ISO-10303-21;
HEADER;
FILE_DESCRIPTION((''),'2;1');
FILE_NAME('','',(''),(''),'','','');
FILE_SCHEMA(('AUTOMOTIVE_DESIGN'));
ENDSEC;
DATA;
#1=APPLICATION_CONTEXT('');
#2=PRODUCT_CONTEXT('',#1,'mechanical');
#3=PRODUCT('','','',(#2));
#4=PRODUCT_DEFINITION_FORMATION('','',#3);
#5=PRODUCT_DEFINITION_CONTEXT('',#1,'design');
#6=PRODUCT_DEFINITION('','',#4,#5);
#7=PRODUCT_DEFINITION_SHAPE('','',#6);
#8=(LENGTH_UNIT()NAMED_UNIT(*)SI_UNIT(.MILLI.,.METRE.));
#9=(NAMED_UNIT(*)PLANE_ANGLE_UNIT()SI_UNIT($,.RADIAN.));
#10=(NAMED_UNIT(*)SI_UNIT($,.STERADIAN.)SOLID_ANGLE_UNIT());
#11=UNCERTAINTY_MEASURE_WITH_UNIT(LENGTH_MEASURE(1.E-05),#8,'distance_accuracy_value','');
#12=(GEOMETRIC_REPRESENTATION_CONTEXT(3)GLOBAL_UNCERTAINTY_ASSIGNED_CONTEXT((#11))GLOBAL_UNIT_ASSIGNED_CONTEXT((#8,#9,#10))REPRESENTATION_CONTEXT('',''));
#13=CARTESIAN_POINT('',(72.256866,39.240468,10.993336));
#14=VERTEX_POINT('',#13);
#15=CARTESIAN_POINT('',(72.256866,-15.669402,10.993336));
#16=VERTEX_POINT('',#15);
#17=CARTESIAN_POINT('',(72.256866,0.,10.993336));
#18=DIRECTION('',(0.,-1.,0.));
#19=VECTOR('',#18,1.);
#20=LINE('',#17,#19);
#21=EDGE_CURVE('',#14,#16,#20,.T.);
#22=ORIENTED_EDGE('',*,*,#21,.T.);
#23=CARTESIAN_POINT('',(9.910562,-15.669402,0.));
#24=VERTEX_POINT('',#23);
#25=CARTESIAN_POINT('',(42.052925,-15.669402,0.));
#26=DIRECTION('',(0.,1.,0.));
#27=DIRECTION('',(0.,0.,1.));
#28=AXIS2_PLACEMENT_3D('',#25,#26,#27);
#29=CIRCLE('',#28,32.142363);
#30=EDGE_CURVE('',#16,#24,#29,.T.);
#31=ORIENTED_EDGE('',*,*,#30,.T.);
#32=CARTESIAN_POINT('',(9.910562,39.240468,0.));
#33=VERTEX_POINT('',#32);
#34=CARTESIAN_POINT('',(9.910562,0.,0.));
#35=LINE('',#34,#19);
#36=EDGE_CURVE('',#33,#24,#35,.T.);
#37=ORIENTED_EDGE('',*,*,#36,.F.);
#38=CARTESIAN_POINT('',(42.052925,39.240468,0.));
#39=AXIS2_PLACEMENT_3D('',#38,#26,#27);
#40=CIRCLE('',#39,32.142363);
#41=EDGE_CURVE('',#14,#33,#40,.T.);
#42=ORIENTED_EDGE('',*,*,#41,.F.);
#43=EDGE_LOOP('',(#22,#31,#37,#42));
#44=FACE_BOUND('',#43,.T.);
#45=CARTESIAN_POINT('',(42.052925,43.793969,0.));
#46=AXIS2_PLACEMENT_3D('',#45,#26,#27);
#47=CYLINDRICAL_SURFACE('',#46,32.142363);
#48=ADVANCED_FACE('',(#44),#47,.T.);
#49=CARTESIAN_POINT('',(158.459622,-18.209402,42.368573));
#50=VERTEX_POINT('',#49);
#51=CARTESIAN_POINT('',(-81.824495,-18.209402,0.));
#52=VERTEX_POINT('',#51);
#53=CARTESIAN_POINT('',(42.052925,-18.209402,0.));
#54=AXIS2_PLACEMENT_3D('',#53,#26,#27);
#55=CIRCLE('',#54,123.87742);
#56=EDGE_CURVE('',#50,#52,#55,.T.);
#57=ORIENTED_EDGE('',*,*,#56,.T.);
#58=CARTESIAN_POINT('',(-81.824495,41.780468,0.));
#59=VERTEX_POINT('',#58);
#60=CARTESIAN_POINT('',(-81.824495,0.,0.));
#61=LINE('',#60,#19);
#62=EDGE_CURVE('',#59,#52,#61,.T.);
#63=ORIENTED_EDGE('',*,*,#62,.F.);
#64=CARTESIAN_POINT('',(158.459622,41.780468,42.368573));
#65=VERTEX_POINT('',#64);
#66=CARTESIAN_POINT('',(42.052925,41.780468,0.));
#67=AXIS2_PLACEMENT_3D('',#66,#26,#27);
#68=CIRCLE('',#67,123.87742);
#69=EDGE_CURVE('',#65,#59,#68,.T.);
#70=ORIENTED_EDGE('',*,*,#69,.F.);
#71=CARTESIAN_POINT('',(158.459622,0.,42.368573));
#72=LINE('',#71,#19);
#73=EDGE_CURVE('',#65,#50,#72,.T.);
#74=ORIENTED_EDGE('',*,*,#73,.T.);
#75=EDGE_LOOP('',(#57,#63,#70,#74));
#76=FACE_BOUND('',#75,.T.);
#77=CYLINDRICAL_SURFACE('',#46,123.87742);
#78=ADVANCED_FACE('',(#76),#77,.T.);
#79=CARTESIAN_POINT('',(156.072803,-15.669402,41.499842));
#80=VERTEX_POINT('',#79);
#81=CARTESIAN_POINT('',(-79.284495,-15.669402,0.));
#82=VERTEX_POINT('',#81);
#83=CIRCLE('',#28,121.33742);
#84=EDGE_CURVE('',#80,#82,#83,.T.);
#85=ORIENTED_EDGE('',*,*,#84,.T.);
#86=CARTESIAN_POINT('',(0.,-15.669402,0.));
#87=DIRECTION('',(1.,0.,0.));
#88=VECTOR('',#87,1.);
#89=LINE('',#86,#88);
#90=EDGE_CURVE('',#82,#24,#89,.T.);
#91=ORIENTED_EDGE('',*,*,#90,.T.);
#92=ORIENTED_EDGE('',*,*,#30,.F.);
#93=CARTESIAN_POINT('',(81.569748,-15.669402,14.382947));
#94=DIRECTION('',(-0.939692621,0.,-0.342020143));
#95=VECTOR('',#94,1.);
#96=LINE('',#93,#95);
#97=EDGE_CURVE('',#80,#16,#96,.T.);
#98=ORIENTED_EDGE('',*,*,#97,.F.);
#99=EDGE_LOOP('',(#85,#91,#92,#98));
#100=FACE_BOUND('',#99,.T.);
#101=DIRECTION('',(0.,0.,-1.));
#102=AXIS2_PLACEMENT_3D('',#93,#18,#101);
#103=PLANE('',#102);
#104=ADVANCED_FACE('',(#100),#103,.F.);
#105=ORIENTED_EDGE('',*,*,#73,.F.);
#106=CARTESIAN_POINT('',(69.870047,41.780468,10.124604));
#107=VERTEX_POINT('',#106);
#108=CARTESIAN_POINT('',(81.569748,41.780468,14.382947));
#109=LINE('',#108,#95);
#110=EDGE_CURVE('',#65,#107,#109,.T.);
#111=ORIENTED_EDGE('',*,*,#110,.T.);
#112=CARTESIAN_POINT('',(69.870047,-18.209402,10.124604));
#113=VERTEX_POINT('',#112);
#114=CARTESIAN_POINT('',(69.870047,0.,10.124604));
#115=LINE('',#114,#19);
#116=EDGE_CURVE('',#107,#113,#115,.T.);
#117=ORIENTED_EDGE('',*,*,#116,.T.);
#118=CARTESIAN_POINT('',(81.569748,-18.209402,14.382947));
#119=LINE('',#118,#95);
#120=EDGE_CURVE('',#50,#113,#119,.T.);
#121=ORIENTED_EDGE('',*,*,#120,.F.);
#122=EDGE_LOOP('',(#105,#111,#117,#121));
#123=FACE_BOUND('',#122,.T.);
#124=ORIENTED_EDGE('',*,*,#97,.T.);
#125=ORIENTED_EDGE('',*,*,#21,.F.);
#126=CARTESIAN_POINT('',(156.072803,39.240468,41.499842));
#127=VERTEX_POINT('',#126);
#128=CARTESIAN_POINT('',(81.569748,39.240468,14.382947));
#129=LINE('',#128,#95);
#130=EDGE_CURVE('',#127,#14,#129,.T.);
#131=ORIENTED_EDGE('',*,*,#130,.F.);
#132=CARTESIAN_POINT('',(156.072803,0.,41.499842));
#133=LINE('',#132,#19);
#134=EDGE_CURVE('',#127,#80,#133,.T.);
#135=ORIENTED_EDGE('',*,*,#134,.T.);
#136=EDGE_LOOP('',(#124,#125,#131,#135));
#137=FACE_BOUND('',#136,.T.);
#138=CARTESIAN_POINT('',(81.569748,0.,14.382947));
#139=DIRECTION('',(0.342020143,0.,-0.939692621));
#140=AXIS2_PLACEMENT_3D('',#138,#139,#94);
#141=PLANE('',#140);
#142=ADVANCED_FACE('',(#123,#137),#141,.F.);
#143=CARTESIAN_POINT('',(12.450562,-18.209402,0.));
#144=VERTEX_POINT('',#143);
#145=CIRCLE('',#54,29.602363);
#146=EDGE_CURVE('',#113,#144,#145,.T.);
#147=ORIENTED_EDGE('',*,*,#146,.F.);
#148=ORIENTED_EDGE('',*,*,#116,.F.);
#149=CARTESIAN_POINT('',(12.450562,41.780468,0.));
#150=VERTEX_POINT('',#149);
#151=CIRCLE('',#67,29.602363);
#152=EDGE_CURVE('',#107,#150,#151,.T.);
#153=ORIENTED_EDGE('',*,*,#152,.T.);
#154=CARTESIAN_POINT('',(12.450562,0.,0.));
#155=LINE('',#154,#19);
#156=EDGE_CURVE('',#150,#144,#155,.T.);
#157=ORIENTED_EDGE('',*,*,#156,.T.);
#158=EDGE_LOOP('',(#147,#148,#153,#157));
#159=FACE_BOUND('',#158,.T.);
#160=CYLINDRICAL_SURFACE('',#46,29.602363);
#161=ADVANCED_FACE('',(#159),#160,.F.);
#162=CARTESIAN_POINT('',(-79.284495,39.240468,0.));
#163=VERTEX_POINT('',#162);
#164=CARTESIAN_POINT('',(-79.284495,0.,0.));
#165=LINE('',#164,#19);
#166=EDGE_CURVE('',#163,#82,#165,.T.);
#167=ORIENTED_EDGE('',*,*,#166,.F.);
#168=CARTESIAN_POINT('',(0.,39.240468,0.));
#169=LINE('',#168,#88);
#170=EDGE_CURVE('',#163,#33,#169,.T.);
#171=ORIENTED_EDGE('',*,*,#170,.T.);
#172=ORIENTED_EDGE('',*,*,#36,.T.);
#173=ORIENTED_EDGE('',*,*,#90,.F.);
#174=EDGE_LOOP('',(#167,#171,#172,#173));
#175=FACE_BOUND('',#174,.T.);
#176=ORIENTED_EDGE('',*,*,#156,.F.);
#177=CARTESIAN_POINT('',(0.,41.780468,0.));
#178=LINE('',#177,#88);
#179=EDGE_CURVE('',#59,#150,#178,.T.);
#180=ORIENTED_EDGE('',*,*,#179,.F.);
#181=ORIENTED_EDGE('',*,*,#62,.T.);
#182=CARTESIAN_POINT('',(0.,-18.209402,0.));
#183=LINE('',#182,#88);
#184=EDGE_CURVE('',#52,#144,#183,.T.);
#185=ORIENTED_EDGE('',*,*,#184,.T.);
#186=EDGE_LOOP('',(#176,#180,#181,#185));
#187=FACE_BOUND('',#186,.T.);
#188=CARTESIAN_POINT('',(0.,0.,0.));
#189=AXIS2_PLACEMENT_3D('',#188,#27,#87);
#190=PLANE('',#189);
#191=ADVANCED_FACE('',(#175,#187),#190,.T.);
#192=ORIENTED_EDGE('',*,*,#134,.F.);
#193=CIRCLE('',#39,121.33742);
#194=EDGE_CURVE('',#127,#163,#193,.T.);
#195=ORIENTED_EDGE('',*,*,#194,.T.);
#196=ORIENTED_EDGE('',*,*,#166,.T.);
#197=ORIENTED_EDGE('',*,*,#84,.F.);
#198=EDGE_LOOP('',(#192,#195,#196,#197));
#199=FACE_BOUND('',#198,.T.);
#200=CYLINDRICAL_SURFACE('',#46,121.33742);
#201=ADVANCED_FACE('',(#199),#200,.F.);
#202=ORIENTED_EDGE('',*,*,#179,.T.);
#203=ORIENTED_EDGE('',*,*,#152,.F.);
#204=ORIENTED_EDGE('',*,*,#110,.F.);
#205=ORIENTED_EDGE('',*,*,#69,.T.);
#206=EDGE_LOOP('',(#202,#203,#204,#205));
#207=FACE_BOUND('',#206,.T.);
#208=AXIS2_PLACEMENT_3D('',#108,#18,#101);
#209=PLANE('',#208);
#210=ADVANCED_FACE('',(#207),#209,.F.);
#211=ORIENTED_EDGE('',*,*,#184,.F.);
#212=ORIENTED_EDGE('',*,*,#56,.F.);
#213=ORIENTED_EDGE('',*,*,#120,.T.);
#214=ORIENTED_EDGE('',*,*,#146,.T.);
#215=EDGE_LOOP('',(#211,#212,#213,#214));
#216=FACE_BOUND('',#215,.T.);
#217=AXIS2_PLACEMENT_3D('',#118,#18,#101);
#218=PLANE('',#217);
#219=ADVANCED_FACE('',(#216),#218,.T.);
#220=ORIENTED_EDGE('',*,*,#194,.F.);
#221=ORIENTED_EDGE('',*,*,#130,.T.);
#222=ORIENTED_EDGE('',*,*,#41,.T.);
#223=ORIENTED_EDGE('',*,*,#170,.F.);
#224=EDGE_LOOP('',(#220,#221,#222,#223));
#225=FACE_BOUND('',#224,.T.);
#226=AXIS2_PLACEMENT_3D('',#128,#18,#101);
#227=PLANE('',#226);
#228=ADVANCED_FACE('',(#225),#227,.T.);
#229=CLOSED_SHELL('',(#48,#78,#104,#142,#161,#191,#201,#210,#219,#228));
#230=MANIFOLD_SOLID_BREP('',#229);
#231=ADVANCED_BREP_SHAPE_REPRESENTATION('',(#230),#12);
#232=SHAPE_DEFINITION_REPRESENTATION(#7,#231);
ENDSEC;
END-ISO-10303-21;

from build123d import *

# Parameters (mm, degrees)
SKETCH2_W           = 94.275056846
SKETCH2_H           = 59.98986983
SKETCH2_W_2         = 89.195056846
SKETCH2_H_2         = 54.90986983
REVOLVE_THIN1_ANGLE = 200


with BuildPart() as part:
    # Sketch2 → Revolve-Thin1 (revolve)
    with BuildSketch(Plane.XY):
        with Locations((-34.686966551, 11.785533037)):
            Rectangle(SKETCH2_W, SKETCH2_H)
        with Locations((-34.686966551, 11.785533037)):
            Rectangle(SKETCH2_W_2, SKETCH2_H_2, mode=Mode.SUBTRACT)
    revolve(axis=Axis((42.052924699, 43.793969352, 0), (0, -1, 0)), revolution_arc=REVOLVE_THIN1_ANGLE)


solid = part.part
